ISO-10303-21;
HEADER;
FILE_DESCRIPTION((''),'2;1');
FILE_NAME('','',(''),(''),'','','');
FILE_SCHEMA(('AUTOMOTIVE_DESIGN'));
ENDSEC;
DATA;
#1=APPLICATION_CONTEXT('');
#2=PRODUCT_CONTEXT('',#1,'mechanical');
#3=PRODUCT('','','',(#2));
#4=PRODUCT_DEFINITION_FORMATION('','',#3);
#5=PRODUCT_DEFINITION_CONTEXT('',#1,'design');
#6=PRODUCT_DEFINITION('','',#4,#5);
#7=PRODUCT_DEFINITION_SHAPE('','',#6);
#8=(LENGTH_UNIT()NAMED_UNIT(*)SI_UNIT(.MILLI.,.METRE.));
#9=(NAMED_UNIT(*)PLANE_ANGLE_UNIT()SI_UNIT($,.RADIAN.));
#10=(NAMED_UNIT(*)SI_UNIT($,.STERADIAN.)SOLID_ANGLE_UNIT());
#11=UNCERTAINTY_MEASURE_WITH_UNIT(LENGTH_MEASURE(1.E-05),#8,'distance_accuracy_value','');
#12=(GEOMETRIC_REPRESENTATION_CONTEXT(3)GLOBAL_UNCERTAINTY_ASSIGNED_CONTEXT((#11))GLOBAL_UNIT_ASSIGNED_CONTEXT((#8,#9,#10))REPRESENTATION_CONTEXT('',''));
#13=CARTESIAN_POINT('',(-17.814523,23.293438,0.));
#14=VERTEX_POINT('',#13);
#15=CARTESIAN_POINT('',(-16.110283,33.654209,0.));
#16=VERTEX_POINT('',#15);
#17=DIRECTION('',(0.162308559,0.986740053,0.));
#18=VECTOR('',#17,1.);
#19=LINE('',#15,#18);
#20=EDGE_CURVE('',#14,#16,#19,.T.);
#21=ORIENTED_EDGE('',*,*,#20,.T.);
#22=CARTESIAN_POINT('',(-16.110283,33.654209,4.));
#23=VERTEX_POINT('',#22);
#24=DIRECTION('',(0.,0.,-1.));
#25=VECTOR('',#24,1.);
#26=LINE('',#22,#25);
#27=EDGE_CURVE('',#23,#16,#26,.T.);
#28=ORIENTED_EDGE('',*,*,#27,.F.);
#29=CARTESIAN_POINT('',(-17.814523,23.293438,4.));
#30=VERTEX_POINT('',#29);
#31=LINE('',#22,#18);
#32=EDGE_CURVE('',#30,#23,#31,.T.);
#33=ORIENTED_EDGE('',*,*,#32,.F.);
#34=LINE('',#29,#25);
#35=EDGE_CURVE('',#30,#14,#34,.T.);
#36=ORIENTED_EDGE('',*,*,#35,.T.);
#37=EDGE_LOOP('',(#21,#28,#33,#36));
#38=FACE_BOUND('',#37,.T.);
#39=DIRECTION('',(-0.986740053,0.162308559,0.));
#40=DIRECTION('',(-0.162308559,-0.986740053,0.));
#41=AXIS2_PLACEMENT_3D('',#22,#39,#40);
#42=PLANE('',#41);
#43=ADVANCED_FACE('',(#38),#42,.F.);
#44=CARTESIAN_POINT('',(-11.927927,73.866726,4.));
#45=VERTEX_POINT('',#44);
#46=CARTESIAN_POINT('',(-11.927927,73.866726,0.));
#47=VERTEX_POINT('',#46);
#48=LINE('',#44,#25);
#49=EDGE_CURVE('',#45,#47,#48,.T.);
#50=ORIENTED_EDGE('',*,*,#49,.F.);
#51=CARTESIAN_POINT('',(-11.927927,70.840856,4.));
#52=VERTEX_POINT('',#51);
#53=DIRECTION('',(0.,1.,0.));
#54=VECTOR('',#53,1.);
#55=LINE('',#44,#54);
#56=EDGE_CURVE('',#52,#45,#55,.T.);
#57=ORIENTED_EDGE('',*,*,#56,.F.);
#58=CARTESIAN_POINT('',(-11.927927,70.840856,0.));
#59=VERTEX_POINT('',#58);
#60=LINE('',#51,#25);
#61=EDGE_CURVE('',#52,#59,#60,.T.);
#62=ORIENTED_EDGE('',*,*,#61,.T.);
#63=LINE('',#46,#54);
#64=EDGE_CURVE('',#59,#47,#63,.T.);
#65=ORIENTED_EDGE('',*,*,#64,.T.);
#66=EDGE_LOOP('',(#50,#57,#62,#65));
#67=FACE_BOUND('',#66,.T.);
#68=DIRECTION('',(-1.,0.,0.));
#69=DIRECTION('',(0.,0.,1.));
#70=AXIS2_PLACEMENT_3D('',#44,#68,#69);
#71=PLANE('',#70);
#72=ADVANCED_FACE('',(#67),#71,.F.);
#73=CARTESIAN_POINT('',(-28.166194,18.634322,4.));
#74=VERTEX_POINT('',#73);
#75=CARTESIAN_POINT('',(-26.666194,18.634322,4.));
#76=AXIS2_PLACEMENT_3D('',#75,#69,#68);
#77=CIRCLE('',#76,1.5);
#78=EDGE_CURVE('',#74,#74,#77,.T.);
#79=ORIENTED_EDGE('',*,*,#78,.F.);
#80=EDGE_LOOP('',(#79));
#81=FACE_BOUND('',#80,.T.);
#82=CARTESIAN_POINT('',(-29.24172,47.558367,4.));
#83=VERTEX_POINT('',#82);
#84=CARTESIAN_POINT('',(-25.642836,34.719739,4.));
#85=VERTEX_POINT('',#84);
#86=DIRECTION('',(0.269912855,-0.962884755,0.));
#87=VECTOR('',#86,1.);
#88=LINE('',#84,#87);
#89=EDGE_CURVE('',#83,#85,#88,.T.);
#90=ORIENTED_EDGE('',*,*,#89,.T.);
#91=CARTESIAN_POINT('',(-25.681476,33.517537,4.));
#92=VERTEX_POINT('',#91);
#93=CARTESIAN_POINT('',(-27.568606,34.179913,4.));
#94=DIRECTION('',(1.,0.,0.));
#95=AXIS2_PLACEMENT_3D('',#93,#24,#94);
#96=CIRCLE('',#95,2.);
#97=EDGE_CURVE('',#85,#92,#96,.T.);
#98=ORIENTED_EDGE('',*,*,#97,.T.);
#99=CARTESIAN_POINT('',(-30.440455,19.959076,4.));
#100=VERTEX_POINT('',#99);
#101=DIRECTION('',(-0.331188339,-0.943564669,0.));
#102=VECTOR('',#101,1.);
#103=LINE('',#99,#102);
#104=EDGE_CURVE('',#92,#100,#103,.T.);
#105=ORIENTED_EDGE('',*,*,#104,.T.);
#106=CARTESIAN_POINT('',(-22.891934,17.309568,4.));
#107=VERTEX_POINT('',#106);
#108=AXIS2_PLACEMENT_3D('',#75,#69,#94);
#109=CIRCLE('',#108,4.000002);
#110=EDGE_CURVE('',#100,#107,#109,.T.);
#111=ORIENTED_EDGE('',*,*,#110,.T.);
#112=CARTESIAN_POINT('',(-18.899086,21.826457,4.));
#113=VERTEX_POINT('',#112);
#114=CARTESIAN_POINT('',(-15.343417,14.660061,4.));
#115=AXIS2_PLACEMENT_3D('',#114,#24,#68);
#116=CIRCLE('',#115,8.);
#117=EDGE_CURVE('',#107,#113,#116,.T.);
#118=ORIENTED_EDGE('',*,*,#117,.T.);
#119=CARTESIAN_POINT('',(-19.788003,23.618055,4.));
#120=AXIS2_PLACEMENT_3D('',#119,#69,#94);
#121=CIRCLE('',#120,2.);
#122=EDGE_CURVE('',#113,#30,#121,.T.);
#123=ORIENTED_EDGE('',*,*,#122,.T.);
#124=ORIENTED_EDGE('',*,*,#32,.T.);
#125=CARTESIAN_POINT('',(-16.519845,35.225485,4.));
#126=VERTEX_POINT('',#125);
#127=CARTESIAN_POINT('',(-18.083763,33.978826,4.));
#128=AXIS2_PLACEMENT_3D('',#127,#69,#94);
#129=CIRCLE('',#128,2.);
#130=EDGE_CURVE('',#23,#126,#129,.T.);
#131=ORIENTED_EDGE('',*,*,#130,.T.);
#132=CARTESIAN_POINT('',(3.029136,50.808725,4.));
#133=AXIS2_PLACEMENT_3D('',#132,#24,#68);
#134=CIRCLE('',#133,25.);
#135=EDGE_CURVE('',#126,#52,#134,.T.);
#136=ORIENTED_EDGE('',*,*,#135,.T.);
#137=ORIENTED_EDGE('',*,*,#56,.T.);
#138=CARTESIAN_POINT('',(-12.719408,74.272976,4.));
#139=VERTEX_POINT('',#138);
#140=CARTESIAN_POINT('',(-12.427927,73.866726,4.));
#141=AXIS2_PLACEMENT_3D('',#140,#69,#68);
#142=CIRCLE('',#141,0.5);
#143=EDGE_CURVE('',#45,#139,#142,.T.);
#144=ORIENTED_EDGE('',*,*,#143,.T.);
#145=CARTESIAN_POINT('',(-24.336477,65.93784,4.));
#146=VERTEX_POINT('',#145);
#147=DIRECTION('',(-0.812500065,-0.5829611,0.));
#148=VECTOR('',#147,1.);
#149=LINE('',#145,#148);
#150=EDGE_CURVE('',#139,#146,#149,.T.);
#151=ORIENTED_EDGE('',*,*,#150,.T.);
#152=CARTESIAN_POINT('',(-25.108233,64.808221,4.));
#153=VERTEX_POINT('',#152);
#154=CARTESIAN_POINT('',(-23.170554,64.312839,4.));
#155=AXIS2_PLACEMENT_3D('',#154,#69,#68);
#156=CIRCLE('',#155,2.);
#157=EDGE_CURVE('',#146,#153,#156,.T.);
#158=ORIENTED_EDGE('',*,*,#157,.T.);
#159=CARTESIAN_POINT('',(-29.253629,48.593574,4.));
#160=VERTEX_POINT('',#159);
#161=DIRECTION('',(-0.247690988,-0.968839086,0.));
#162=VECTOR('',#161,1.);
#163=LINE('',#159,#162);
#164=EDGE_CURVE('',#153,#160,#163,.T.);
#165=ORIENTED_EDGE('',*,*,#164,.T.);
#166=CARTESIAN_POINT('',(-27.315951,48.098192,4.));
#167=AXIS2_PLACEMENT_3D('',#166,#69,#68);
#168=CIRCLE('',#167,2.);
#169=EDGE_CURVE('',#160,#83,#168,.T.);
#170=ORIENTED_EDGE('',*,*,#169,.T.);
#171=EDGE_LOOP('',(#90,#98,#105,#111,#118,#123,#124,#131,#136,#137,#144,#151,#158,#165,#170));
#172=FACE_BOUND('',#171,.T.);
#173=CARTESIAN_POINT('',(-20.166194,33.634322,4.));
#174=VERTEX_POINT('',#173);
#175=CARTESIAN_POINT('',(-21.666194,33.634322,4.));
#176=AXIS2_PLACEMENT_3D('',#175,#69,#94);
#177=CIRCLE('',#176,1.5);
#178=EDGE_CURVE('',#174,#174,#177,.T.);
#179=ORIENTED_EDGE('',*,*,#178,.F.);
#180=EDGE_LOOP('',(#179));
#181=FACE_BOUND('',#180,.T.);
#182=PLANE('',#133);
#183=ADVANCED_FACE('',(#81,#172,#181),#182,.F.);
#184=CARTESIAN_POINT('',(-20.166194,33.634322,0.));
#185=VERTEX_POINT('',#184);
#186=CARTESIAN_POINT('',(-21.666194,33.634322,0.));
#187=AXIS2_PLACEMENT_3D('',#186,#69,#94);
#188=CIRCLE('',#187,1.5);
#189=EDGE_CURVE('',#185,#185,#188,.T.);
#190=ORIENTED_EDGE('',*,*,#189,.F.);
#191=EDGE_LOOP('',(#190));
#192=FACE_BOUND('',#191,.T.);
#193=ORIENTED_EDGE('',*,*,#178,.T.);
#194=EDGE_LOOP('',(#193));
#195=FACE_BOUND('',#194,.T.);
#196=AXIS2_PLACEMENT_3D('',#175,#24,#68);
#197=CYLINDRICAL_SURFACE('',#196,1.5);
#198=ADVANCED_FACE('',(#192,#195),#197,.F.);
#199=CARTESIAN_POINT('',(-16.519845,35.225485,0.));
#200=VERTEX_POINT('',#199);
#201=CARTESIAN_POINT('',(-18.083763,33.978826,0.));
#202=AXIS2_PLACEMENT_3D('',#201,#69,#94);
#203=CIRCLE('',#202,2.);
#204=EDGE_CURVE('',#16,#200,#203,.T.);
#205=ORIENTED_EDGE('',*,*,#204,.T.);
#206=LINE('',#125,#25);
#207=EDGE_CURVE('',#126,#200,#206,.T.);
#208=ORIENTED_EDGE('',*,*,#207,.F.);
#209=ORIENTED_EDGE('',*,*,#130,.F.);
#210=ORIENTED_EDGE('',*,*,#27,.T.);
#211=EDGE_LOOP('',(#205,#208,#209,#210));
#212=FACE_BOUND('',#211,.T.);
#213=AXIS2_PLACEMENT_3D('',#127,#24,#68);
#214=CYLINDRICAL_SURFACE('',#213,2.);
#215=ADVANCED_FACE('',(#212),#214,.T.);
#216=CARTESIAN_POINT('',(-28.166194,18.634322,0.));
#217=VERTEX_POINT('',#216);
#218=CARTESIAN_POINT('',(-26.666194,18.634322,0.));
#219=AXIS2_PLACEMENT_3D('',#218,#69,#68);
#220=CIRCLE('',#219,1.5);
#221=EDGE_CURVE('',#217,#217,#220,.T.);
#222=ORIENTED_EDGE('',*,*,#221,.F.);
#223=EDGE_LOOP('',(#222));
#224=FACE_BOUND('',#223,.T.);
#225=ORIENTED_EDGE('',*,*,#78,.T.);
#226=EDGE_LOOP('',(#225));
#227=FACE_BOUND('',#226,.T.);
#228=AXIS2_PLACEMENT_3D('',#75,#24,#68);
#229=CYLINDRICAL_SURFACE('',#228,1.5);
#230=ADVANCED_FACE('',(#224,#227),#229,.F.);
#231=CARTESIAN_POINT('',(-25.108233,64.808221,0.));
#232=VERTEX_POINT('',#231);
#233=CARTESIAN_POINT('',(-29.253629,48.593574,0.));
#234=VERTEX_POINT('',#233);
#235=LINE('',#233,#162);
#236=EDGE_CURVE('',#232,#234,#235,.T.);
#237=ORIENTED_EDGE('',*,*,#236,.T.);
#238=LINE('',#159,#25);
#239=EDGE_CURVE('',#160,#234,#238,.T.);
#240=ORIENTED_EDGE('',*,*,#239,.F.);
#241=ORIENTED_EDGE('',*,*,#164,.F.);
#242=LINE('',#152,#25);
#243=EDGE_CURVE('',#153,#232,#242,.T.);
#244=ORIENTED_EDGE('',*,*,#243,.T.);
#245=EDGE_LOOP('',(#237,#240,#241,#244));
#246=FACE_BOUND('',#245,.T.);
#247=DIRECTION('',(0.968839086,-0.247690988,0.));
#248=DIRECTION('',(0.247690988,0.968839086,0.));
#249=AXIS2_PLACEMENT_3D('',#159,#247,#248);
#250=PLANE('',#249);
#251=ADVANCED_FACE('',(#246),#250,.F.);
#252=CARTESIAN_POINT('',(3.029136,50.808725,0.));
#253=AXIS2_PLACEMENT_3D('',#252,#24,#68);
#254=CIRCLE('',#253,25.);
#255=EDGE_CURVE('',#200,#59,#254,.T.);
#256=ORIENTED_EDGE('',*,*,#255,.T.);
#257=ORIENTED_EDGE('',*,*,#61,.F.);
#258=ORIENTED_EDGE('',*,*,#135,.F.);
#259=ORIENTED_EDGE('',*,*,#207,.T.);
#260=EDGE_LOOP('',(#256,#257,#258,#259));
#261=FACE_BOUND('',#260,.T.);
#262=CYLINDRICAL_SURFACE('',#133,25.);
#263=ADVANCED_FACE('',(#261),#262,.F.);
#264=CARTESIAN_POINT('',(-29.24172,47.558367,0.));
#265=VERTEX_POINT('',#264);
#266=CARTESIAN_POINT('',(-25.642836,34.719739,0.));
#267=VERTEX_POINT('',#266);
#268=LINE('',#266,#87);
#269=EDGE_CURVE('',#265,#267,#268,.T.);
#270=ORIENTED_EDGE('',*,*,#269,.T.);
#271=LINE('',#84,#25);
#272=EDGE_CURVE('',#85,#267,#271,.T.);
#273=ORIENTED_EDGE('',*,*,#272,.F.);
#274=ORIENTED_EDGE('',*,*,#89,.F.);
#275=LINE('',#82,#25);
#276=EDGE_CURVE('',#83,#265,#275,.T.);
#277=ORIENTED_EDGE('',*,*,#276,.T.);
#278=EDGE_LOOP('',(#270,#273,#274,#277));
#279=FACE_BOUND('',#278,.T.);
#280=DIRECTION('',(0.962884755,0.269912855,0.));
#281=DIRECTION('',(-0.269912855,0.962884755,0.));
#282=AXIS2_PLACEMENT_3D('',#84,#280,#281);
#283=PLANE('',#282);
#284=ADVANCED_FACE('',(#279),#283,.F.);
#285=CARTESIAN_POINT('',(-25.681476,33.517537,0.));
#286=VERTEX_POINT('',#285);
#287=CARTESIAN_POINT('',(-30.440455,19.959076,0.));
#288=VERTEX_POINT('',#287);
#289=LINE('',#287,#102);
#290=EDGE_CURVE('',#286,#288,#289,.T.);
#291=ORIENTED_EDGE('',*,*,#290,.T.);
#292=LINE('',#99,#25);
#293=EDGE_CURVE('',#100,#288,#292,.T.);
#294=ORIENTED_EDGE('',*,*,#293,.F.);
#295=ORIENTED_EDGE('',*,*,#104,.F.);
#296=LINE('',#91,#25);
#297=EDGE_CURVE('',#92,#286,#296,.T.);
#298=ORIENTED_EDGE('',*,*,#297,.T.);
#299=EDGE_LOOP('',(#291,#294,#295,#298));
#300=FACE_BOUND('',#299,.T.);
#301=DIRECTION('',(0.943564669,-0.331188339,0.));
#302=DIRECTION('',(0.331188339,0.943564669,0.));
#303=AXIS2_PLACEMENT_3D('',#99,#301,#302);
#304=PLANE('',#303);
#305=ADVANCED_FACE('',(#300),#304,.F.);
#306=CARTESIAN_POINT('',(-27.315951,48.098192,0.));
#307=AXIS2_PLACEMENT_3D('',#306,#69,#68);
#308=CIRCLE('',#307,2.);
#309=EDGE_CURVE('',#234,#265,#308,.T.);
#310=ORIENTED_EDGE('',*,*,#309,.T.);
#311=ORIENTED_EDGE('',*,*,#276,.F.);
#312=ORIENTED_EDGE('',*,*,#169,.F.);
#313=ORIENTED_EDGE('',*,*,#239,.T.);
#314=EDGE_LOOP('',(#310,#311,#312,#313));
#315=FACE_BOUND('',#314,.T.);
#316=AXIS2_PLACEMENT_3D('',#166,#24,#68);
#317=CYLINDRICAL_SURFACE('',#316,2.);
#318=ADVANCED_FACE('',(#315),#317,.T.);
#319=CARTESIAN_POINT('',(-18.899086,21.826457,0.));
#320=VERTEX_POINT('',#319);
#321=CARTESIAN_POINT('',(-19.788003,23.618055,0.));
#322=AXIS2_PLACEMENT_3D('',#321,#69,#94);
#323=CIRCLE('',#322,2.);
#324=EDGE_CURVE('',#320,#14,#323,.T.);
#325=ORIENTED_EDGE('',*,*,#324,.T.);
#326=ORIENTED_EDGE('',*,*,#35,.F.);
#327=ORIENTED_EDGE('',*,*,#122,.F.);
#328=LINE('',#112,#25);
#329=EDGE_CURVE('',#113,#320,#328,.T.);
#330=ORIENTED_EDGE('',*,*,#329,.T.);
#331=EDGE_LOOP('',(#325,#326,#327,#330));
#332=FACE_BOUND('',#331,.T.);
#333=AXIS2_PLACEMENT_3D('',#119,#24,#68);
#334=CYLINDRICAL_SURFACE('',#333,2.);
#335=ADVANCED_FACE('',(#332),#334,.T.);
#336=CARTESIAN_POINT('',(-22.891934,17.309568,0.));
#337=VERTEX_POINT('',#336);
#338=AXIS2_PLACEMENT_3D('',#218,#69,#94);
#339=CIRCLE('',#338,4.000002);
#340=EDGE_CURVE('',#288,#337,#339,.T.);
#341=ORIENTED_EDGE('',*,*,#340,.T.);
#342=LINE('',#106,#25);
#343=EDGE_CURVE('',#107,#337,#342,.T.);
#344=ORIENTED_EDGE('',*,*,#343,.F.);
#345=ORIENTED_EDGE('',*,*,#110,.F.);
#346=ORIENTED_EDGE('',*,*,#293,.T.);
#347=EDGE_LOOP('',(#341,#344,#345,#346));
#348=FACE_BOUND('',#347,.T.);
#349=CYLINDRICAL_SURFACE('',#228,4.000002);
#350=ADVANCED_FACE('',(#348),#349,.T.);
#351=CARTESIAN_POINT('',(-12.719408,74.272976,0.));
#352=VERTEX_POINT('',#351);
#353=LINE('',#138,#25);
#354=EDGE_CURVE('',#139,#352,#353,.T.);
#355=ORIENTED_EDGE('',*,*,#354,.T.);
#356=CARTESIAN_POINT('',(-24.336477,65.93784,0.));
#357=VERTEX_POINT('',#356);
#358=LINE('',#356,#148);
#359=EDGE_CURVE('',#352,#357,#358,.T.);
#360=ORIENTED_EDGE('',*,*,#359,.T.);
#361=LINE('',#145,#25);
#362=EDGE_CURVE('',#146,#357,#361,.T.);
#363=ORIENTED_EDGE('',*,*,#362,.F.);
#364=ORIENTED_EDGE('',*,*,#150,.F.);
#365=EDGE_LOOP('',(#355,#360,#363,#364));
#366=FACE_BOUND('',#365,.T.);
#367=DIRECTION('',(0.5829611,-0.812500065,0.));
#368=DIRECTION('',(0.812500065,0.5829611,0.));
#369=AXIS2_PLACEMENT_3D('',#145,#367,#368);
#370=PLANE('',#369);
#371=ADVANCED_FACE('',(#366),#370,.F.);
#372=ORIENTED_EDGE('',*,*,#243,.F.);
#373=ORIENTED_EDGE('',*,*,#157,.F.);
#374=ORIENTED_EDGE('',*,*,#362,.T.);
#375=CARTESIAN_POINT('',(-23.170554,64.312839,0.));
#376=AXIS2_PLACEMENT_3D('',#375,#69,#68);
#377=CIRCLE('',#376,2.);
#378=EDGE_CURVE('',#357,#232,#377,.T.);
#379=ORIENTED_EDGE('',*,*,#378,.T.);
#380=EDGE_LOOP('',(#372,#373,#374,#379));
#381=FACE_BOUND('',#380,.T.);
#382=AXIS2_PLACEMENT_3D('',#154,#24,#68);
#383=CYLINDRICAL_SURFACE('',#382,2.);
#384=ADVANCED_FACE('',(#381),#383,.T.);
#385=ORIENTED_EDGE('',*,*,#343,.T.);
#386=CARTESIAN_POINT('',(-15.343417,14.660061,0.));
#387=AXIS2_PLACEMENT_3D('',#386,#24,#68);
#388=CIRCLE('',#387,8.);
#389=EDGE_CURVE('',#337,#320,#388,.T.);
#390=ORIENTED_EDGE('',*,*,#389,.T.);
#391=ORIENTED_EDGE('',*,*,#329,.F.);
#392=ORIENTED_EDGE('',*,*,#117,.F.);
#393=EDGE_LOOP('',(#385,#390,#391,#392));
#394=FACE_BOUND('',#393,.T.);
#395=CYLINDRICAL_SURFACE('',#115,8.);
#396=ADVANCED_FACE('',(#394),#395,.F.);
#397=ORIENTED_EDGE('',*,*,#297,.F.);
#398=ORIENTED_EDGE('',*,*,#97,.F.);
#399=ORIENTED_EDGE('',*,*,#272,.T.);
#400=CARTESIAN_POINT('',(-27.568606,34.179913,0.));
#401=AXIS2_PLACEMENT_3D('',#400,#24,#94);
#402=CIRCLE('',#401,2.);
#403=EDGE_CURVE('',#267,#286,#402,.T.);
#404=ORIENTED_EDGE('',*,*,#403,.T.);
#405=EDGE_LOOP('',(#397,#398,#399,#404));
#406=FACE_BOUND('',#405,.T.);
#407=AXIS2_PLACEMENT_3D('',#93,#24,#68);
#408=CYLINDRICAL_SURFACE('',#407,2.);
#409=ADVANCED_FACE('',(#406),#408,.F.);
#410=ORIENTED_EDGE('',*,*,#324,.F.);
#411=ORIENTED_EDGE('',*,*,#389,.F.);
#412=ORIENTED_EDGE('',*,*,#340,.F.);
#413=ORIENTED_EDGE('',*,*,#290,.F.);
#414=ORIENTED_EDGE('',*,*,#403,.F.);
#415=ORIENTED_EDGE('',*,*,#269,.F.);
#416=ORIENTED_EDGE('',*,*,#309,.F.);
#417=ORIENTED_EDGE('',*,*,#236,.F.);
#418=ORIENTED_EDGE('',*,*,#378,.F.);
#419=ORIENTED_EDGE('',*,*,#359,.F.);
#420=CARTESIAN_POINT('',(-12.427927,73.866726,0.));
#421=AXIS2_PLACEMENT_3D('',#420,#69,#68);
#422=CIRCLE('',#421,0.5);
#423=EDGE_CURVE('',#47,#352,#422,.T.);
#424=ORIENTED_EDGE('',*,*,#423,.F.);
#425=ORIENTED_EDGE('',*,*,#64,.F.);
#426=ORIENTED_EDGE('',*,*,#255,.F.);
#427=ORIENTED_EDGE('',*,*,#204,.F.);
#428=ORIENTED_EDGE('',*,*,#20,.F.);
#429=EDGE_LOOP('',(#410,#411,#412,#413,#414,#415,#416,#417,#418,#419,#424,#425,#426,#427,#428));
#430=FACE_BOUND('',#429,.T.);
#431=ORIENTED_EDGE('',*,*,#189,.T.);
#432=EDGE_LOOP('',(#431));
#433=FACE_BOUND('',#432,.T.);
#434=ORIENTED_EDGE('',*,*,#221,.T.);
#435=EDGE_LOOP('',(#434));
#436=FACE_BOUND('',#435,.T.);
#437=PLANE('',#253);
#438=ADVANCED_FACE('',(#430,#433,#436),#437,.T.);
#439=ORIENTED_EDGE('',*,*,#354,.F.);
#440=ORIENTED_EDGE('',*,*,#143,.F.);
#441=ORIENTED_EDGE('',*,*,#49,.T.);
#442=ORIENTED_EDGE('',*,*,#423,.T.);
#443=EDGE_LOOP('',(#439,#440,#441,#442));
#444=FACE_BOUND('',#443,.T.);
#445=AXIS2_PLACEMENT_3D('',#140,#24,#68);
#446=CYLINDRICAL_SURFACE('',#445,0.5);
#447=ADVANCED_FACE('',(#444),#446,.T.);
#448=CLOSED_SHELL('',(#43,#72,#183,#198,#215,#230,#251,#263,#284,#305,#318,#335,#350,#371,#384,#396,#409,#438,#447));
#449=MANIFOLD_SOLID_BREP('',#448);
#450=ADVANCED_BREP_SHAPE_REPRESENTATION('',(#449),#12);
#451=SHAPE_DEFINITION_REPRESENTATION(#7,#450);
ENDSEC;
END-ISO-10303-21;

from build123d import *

# Parameters (mm, degrees)
SKETCH_1_R      = 1.5
EXTRUDE_1_DEPTH = 4


with BuildPart() as part:
    # 草图1 → 凸台-拉伸1 (new body)
    with BuildSketch(Plane.XY):
        with BuildLine():
            Line((-16.110282893, 33.654208826), (-17.814522763, 23.293438272))
            ThreePointArc((-17.814522763, 23.293438272), (-18.179793181, 22.42908037), (-18.899085656, 21.82645661))
            ThreePointArc((-18.899085656, 21.82645661), (-21.337272658, 19.958522776), (-22.891934151, 17.309568206))
            ThreePointArc((-22.891934151, 17.309568206), (-27.990948412, 14.860061819), (-30.440454799, 19.959076079))
            Line((-30.440454799, 19.959076079), (-25.681476272, 33.517536514))
            ThreePointArc((-25.681476272, 33.517536514), (-25.569637864, 34.115664062), (-25.6428361, 34.719738902))
            Line((-25.6428361, 34.719738902), (-29.24172024, 47.558366666))
            ThreePointArc((-29.24172024, 47.558366666), (-29.31581841, 48.075186607), (-29.253628902, 48.593574353))
            Line((-29.253628902, 48.593574353), (-25.108232608, 64.808221419))
            ThreePointArc((-25.108232608, 64.808221419), (-24.821945701, 65.441071196), (-24.336476636, 65.937839573))
            Line((-24.336476636, 65.937839573), (-12.719407819, 74.272976396))
            ThreePointArc((-12.719407819, 74.272976396), (-12.199607619, 74.311552327), (-11.927927269, 73.866726364))
            Line((-11.927927269, 73.866726364), (-11.927927269, 70.840856193))
            ThreePointArc((-11.927927269, 70.840856193), (-21.765630275, 54.0055336), (-16.519844581, 35.225485153))
            ThreePointArc((-16.519844581, 35.225485153), (-16.148427264, 34.483281689), (-16.110282893, 33.654208826))
        make_face()
        with Locations((-26.666194475, 18.634322143)):
            Circle(SKETCH_1_R, mode=Mode.SUBTRACT)
        with Locations((-21.666194475, 33.634322143)):
            Circle(SKETCH_1_R, mode=Mode.SUBTRACT)
    extrude(amount=EXTRUDE_1_DEPTH)


solid = part.part
